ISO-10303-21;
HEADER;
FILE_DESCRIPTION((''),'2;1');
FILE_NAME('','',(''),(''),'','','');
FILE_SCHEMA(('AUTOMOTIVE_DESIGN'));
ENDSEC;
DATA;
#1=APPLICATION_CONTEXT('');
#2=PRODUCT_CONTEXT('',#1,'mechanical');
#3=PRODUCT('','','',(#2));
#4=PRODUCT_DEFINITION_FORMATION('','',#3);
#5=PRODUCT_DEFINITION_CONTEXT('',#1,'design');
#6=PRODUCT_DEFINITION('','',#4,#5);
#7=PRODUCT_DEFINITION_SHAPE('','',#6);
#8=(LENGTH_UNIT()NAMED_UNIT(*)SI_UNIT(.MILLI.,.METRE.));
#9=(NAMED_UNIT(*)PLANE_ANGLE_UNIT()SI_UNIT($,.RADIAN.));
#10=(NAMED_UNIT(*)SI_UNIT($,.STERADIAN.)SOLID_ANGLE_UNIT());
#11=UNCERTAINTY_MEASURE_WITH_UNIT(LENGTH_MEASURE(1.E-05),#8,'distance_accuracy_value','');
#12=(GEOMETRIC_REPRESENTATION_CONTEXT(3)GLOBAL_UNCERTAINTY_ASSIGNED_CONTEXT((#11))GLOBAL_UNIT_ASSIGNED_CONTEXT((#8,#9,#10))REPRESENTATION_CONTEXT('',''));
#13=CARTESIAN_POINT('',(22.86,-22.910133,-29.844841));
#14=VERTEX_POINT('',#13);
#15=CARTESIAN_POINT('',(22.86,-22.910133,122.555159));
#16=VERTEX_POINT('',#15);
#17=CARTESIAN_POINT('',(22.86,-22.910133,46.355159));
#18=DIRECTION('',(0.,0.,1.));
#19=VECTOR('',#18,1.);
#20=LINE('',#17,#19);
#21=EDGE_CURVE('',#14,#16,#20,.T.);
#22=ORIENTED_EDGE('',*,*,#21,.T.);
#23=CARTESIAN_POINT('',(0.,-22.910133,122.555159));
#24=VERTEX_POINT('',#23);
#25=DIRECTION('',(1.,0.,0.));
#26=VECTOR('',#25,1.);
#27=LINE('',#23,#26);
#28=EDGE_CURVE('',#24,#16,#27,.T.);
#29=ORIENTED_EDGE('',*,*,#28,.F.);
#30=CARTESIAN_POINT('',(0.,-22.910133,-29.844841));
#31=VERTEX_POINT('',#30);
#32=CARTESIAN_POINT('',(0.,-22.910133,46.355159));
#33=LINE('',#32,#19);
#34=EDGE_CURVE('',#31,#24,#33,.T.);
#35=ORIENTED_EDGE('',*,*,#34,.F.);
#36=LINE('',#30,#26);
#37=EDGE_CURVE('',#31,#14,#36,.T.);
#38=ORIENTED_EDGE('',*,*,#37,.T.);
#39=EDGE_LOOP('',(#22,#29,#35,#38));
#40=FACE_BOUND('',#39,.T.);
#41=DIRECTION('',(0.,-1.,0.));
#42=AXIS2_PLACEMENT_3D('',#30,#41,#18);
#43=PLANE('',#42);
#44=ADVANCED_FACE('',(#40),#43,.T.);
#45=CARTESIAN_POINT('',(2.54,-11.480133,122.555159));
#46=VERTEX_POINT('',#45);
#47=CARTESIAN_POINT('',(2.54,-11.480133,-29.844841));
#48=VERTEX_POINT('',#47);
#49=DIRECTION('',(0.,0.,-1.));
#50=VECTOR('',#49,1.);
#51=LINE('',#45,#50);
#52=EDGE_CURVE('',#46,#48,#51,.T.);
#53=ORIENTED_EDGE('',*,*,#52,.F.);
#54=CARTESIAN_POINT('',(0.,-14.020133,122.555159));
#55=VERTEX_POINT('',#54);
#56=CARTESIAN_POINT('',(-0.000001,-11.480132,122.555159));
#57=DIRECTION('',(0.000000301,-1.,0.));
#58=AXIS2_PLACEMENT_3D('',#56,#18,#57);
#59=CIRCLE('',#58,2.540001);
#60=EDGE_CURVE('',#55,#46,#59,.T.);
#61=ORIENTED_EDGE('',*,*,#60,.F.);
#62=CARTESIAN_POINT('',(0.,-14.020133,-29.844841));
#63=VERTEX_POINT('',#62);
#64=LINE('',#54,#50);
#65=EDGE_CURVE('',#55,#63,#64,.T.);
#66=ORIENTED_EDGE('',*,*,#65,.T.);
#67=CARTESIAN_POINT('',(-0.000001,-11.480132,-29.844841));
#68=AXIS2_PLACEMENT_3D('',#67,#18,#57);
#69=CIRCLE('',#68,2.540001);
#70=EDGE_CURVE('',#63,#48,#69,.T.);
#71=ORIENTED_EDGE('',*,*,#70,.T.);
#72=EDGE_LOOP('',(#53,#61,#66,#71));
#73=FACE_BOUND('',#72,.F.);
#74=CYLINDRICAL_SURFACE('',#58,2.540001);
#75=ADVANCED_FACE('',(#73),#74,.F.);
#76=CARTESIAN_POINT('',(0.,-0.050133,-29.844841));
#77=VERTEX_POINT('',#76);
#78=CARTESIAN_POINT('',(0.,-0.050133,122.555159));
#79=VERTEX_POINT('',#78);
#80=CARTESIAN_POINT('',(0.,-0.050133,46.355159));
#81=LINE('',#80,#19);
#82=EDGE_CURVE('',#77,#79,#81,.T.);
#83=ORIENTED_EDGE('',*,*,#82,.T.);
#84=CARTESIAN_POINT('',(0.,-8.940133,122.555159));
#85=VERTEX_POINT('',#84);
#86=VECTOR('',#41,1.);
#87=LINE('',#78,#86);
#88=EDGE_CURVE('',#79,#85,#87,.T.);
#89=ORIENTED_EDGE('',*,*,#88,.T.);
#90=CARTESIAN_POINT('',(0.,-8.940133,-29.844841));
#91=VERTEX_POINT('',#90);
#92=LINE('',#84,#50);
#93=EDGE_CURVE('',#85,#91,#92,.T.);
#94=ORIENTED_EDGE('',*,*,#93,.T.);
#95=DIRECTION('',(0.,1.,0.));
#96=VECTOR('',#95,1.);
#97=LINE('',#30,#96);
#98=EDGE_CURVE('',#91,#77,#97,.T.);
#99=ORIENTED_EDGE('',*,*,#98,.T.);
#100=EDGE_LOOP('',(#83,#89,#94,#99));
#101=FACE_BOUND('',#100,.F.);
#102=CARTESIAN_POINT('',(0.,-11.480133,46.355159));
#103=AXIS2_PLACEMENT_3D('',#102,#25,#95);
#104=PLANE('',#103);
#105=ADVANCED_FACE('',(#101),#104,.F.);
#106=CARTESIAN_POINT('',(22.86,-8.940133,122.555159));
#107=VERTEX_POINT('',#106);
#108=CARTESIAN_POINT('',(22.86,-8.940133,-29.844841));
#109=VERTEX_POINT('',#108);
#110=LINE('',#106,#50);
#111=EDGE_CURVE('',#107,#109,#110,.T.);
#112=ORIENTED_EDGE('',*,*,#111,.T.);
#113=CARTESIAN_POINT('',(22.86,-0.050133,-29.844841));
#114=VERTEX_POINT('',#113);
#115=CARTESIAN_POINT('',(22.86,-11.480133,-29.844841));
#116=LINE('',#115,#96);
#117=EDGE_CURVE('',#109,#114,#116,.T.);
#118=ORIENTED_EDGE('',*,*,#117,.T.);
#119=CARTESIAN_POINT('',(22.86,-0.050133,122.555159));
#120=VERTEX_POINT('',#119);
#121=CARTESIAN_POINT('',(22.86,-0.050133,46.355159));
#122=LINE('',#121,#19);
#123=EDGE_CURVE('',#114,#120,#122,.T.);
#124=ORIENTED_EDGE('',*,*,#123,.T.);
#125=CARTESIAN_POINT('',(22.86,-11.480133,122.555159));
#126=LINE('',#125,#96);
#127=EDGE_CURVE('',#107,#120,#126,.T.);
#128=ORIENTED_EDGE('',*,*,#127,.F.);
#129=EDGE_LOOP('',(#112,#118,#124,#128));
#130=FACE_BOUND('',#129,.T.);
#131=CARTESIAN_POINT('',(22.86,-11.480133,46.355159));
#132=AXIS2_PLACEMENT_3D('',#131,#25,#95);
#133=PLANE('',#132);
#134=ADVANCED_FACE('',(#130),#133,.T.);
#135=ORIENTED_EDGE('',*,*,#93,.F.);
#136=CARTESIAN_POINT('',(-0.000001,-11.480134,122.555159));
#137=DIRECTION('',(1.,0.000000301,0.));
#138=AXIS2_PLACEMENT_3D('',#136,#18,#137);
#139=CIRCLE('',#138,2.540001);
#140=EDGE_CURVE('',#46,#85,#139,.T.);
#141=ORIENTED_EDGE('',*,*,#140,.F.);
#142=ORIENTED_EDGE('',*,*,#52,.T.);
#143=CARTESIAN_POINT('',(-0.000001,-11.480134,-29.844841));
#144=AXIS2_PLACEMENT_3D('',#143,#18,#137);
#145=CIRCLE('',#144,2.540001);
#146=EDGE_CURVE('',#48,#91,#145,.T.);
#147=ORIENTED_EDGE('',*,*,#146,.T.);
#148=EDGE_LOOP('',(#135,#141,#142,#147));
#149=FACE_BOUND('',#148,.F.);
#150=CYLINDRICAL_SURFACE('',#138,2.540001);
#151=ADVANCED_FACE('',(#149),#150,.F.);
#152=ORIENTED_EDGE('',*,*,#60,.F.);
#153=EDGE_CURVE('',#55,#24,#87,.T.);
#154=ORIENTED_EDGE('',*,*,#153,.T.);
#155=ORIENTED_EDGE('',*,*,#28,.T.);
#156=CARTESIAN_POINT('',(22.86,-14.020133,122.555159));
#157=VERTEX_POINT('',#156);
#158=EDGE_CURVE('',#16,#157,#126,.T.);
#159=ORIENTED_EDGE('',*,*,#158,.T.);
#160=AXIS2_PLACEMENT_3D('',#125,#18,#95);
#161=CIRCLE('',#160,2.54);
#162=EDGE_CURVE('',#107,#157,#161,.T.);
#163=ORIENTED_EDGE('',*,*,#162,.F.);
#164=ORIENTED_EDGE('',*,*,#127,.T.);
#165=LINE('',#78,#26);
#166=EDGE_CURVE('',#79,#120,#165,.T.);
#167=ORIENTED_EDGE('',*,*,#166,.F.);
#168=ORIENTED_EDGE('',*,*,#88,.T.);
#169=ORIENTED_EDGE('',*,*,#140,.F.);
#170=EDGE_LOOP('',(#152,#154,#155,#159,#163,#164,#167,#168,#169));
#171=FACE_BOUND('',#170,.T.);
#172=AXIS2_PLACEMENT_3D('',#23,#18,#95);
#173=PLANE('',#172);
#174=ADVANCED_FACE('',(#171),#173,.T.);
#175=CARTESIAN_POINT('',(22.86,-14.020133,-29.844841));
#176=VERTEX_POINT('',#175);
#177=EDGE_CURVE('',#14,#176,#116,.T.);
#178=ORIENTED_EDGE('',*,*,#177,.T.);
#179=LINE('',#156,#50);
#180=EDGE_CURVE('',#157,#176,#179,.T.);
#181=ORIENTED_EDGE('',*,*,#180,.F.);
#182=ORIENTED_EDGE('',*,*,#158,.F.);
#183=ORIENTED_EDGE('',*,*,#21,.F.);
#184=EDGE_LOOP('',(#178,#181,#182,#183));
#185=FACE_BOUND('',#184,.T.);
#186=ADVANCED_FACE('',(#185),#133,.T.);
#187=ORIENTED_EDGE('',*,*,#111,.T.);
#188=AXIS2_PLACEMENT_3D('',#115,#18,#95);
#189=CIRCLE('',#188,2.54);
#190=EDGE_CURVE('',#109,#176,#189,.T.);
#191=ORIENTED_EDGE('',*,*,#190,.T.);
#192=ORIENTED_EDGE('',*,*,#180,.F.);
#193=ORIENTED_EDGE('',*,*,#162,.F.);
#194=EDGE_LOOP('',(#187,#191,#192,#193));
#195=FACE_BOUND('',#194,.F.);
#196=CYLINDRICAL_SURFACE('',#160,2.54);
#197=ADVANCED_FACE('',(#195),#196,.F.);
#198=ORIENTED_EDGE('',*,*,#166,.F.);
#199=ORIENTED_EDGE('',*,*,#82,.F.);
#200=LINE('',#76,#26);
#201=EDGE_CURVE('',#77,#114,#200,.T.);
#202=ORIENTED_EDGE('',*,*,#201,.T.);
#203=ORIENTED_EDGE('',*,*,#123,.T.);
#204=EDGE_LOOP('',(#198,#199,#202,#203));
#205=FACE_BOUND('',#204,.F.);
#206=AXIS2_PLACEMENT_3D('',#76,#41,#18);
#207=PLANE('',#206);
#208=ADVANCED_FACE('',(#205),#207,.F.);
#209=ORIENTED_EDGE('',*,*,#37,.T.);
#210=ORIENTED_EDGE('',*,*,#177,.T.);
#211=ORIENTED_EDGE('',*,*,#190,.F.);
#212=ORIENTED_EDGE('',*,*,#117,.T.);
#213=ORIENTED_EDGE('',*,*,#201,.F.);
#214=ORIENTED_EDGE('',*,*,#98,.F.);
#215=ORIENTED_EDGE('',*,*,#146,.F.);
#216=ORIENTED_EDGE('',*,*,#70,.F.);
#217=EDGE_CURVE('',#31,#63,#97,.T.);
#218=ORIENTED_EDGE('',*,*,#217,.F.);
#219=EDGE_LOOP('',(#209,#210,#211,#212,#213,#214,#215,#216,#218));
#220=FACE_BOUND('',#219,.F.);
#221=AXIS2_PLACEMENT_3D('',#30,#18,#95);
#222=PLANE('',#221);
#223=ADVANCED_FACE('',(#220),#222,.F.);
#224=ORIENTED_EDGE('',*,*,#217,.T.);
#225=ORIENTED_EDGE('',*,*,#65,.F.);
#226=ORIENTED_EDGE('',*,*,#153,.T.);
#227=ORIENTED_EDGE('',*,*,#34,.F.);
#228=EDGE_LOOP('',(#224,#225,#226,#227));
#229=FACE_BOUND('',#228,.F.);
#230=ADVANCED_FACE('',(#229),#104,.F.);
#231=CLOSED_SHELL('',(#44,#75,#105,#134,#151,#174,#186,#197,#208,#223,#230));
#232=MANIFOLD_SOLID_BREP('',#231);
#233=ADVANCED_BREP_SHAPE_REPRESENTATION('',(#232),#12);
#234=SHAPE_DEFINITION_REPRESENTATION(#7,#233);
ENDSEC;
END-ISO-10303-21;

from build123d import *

# Parameters (mm, degrees)
F0_W     = 22.86
F0_H     = 152.4
F1_DEPTH = 22.86
F3_DEPTH = 152.4
F5_DEPTH = 152.4


with BuildPart() as f1:
    # F0 (on Right) → F1 (new body)
    with BuildSketch(Plane.YZ):
        with Locations((-11.480133, 46.355159)):
            Rectangle(F0_W, F0_H)
    extrude(amount=F1_DEPTH)

    # F2 (on face) → F3 (cut)
    with BuildSketch(Plane.XY.offset(122.555159)):
        with BuildLine():
            Line((22.86, -14.020133), (22.86, -8.940133))
            ThreePointArc((22.86, -8.940133), (20.32, -11.480133), (22.86, -14.020133))
        make_face()
        with BuildLine():
            Line((0, -14.020133), (0, -8.940133))
            ThreePointArc((0, -8.940133), (-2.54, -11.480133), (0, -14.020133))
        make_face()
        with BuildLine():
            ThreePointArc((22.86, -14.020133), (24.656051, -13.276184), (25.4, -11.480133))
            ThreePointArc((25.4, -11.480133), (24.656051, -9.684082), (22.86, -8.940133))
            Line((22.86, -8.940133), (22.86, -14.020133))
        make_face()
    extrude(amount=-F3_DEPTH, mode=Mode.SUBTRACT)

    # F4 (on face) → F5 (cut)
    with BuildSketch(Plane.XY.offset(122.555159)):
        with BuildLine():
            ThreePointArc((0, -14.020133), (1.796051, -13.276184), (2.54, -11.480133))
            ThreePointArc((2.54, -11.480133), (1.796051, -9.684082), (0, -8.940133))
            Line((0, -8.940133), (0, -14.020133))
        make_face()
    extrude(amount=-F5_DEPTH, mode=Mode.SUBTRACT)


solid = f1.part
